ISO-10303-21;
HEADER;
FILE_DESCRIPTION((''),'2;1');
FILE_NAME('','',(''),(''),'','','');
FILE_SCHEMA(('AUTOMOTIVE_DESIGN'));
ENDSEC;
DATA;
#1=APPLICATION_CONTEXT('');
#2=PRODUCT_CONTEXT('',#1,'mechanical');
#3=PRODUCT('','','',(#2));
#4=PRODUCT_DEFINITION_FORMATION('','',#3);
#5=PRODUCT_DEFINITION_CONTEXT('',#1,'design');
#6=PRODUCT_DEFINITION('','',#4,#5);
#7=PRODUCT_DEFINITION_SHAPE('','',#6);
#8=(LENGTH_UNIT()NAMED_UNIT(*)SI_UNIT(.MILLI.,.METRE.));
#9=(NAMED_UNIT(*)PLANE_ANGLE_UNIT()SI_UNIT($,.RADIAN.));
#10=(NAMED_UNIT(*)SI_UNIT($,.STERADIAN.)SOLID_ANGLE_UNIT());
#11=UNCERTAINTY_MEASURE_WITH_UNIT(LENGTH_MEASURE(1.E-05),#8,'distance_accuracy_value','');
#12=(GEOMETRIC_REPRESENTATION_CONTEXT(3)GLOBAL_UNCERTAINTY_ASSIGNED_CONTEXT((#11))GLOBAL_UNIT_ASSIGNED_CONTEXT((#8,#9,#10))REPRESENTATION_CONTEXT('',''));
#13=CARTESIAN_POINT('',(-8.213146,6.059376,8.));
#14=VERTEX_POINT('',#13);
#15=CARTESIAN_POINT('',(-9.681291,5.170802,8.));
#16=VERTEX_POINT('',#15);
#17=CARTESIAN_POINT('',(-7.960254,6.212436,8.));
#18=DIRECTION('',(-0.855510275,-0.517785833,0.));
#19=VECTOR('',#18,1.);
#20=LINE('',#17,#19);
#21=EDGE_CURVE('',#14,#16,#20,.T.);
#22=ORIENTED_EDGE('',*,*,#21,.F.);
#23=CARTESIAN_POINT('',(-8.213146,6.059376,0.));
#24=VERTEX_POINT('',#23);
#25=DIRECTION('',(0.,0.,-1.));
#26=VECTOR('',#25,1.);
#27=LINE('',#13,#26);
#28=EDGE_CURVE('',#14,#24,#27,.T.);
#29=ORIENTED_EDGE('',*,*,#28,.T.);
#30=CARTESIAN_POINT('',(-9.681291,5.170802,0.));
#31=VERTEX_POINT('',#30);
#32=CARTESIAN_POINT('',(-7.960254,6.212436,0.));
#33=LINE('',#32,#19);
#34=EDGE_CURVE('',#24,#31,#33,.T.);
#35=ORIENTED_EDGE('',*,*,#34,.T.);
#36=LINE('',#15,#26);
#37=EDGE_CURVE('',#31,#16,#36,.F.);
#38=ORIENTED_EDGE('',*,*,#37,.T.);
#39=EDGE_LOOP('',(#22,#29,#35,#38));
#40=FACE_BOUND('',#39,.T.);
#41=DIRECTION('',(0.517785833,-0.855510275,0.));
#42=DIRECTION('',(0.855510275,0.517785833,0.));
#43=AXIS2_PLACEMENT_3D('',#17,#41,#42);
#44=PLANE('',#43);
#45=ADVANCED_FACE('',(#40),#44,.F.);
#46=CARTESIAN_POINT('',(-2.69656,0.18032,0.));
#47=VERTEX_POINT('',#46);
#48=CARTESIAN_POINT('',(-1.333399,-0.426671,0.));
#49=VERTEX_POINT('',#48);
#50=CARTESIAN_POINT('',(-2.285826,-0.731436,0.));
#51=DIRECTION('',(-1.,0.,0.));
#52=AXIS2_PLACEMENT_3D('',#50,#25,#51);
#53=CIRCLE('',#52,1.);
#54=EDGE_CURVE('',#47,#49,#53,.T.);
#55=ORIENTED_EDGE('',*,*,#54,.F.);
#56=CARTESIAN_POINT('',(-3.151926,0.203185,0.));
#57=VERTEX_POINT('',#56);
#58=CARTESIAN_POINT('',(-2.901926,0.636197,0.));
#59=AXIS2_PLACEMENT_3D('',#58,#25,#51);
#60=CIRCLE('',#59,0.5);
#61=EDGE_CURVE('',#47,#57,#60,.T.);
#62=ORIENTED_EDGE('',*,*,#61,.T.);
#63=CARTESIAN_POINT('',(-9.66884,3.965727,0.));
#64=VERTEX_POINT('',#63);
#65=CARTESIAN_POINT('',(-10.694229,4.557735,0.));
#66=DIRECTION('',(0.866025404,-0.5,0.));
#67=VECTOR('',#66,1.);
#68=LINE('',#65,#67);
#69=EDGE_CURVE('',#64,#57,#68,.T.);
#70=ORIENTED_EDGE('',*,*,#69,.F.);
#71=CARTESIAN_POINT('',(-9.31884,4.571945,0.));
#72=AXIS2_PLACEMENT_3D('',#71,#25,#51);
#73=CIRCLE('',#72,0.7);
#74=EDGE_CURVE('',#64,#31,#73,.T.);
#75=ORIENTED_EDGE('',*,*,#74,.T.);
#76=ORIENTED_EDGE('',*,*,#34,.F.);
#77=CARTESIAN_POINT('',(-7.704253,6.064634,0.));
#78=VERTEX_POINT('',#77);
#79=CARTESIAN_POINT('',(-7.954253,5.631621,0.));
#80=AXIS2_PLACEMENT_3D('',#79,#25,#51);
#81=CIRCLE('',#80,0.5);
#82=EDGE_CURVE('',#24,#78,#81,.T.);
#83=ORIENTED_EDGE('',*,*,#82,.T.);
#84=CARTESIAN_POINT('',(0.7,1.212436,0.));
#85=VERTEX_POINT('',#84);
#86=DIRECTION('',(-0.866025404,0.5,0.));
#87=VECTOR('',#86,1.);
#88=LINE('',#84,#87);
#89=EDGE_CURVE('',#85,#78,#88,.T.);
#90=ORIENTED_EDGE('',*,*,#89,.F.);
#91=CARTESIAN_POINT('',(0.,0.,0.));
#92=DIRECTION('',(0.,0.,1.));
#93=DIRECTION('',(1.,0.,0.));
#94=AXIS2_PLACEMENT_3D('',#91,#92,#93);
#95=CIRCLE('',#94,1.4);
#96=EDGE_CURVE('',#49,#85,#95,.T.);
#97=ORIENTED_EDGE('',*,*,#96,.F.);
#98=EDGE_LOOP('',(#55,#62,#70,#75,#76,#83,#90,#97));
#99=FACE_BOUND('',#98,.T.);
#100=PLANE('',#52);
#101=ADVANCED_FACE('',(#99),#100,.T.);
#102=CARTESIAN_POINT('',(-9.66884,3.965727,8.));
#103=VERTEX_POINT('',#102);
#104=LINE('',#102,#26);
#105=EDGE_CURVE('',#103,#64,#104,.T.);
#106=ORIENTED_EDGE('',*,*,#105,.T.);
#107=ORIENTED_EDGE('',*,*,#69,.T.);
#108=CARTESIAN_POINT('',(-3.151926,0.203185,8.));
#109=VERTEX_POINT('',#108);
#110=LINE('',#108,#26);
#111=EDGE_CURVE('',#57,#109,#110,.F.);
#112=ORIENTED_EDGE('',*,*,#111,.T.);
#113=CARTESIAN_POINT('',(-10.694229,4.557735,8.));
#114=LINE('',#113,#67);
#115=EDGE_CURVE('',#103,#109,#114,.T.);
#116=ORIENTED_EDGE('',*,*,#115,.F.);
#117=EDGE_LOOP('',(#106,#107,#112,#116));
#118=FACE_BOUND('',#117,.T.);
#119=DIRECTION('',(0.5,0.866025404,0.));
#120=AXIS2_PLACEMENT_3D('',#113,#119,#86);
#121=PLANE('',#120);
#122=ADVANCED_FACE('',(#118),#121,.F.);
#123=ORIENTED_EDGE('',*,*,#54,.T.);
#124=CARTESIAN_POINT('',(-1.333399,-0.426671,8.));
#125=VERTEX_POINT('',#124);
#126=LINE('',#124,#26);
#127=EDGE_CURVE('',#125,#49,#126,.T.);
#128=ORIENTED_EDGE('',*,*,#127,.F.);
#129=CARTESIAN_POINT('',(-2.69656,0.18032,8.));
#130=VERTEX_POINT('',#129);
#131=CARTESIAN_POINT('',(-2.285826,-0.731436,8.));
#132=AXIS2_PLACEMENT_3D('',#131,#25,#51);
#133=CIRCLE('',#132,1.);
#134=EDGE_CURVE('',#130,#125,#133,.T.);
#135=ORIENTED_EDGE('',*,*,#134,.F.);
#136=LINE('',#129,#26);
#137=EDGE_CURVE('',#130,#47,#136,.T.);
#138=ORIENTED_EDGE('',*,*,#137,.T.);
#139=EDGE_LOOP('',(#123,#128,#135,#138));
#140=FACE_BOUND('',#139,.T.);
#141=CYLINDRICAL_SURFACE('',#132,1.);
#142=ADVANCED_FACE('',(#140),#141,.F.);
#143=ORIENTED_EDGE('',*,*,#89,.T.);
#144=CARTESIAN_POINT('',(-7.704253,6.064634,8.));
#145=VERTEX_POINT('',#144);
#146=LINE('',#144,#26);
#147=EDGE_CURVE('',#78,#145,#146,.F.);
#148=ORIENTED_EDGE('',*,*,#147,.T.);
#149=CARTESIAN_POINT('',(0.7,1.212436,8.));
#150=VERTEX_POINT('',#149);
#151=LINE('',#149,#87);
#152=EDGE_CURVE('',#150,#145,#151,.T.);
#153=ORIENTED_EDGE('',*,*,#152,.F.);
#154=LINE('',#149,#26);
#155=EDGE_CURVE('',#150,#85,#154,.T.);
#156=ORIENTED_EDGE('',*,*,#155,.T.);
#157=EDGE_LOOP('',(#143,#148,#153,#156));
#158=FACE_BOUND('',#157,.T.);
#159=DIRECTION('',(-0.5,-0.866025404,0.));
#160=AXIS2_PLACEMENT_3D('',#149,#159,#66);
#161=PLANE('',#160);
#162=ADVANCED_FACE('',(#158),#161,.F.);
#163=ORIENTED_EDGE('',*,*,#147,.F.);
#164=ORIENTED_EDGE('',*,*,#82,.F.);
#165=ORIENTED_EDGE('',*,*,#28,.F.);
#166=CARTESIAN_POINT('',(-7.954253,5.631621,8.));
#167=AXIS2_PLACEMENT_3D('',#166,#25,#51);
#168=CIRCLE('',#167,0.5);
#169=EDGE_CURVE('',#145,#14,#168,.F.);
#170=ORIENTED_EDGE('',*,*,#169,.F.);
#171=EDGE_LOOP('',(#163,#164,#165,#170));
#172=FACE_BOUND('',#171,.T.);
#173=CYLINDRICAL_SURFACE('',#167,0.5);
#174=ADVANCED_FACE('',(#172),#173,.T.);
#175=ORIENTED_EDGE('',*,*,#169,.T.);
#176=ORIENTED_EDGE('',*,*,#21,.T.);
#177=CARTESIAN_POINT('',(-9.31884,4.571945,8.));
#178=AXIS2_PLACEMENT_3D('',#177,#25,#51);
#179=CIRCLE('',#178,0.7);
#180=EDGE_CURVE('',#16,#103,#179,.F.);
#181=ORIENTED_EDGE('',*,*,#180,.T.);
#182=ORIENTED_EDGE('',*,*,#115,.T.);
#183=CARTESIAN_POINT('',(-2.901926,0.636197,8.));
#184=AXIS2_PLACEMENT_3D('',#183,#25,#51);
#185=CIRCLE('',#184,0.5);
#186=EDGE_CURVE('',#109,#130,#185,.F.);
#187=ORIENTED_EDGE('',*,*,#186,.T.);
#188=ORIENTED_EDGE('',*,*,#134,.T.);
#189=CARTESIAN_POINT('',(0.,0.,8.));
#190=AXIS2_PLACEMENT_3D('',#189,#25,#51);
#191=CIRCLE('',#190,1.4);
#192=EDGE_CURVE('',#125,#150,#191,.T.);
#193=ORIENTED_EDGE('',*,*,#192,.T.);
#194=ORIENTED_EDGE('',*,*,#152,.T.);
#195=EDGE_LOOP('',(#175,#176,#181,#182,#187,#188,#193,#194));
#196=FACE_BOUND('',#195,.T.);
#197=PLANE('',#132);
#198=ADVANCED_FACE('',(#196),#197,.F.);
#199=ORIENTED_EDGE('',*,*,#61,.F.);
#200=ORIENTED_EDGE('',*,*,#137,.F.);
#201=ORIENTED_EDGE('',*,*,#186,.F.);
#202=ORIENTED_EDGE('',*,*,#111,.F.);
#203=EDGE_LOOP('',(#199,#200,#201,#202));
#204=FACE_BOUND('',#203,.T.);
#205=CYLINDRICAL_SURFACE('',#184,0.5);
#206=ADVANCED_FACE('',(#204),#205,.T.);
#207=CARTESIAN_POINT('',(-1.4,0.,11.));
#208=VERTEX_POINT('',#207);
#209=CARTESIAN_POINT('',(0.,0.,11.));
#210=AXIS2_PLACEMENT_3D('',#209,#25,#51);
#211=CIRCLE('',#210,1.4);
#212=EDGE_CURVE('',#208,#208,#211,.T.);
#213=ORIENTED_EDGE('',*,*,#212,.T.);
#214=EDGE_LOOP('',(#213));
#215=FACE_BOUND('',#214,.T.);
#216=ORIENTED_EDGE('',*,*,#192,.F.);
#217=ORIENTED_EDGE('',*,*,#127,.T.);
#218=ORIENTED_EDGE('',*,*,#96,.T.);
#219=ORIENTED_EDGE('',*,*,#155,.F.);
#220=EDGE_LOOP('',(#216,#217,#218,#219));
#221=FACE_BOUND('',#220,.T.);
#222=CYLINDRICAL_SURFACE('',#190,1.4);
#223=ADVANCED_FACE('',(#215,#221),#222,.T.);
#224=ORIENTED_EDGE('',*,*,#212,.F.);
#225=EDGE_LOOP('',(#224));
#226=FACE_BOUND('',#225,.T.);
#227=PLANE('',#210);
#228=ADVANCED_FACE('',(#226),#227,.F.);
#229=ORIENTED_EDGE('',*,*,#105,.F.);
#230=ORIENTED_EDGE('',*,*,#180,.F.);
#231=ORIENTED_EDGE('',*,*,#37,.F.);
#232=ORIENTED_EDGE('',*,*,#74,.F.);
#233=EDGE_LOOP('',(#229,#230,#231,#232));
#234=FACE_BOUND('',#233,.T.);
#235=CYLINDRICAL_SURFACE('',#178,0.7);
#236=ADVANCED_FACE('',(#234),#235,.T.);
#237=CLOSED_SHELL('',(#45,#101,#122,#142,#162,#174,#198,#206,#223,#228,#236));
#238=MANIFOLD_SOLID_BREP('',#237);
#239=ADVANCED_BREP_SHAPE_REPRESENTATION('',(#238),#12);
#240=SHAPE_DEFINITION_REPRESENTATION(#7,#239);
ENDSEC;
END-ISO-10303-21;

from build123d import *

# Parameters (mm, degrees)
EXTRUDE_1_DEPTH = 8
FILLET_1_R      = 0.5
FILLET_2_R      = 0.7
EXTRUDE_START   = -8
SKETCH_2_R      = 1.4
EXTRUDE_2_DEPTH = 3


with BuildPart() as part:
    # 草图1 → 凸台-拉伸1 (new body)
    with BuildSketch(Plane.XY):
        with BuildLine():
            Line((0.7, 1.212435565), (-7.960254038, 6.212435565))
            Line((-7.960254038, 6.212435565), (-10.694228634, 4.557735027))
            Line((-10.694228634, 4.557735027), (-2.9, 0.057735027))
            ThreePointArc((-2.9, 0.057735027), (-1.990417738, 0.223935223), (-1.333398647, -0.426670889))
            ThreePointArc((-1.333398647, -0.426670889), (0.878615931, -1.089969746), (0.7, 1.212435565))
        make_face()
    extrude(amount=EXTRUDE_1_DEPTH)

    # 圆角1
    fillet_1_edges = [part.edges().sort_by_distance(p)[0] for p in [
        (-7.960254038, 6.212435565, 4),
        (-2.9, 0.057735027, 4),
    ]]
    fillet(fillet_1_edges, radius=FILLET_1_R)

    # 圆角2
    fillet_2_edges = [part.edges().sort_by_distance(p)[0] for p in [
        (-10.694228634, 4.557735027, 4),
    ]]
    fillet(fillet_2_edges, radius=FILLET_2_R)

    # 草图2 → 凸台-拉伸2 (add)
    with BuildSketch(Plane(origin=(0, 0, 0), x_dir=(-1, 0, 0), z_dir=(0, 0, -1)).offset(EXTRUDE_START)):
        Circle(SKETCH_2_R)
    extrude(amount=-EXTRUDE_2_DEPTH)


solid = part.part
